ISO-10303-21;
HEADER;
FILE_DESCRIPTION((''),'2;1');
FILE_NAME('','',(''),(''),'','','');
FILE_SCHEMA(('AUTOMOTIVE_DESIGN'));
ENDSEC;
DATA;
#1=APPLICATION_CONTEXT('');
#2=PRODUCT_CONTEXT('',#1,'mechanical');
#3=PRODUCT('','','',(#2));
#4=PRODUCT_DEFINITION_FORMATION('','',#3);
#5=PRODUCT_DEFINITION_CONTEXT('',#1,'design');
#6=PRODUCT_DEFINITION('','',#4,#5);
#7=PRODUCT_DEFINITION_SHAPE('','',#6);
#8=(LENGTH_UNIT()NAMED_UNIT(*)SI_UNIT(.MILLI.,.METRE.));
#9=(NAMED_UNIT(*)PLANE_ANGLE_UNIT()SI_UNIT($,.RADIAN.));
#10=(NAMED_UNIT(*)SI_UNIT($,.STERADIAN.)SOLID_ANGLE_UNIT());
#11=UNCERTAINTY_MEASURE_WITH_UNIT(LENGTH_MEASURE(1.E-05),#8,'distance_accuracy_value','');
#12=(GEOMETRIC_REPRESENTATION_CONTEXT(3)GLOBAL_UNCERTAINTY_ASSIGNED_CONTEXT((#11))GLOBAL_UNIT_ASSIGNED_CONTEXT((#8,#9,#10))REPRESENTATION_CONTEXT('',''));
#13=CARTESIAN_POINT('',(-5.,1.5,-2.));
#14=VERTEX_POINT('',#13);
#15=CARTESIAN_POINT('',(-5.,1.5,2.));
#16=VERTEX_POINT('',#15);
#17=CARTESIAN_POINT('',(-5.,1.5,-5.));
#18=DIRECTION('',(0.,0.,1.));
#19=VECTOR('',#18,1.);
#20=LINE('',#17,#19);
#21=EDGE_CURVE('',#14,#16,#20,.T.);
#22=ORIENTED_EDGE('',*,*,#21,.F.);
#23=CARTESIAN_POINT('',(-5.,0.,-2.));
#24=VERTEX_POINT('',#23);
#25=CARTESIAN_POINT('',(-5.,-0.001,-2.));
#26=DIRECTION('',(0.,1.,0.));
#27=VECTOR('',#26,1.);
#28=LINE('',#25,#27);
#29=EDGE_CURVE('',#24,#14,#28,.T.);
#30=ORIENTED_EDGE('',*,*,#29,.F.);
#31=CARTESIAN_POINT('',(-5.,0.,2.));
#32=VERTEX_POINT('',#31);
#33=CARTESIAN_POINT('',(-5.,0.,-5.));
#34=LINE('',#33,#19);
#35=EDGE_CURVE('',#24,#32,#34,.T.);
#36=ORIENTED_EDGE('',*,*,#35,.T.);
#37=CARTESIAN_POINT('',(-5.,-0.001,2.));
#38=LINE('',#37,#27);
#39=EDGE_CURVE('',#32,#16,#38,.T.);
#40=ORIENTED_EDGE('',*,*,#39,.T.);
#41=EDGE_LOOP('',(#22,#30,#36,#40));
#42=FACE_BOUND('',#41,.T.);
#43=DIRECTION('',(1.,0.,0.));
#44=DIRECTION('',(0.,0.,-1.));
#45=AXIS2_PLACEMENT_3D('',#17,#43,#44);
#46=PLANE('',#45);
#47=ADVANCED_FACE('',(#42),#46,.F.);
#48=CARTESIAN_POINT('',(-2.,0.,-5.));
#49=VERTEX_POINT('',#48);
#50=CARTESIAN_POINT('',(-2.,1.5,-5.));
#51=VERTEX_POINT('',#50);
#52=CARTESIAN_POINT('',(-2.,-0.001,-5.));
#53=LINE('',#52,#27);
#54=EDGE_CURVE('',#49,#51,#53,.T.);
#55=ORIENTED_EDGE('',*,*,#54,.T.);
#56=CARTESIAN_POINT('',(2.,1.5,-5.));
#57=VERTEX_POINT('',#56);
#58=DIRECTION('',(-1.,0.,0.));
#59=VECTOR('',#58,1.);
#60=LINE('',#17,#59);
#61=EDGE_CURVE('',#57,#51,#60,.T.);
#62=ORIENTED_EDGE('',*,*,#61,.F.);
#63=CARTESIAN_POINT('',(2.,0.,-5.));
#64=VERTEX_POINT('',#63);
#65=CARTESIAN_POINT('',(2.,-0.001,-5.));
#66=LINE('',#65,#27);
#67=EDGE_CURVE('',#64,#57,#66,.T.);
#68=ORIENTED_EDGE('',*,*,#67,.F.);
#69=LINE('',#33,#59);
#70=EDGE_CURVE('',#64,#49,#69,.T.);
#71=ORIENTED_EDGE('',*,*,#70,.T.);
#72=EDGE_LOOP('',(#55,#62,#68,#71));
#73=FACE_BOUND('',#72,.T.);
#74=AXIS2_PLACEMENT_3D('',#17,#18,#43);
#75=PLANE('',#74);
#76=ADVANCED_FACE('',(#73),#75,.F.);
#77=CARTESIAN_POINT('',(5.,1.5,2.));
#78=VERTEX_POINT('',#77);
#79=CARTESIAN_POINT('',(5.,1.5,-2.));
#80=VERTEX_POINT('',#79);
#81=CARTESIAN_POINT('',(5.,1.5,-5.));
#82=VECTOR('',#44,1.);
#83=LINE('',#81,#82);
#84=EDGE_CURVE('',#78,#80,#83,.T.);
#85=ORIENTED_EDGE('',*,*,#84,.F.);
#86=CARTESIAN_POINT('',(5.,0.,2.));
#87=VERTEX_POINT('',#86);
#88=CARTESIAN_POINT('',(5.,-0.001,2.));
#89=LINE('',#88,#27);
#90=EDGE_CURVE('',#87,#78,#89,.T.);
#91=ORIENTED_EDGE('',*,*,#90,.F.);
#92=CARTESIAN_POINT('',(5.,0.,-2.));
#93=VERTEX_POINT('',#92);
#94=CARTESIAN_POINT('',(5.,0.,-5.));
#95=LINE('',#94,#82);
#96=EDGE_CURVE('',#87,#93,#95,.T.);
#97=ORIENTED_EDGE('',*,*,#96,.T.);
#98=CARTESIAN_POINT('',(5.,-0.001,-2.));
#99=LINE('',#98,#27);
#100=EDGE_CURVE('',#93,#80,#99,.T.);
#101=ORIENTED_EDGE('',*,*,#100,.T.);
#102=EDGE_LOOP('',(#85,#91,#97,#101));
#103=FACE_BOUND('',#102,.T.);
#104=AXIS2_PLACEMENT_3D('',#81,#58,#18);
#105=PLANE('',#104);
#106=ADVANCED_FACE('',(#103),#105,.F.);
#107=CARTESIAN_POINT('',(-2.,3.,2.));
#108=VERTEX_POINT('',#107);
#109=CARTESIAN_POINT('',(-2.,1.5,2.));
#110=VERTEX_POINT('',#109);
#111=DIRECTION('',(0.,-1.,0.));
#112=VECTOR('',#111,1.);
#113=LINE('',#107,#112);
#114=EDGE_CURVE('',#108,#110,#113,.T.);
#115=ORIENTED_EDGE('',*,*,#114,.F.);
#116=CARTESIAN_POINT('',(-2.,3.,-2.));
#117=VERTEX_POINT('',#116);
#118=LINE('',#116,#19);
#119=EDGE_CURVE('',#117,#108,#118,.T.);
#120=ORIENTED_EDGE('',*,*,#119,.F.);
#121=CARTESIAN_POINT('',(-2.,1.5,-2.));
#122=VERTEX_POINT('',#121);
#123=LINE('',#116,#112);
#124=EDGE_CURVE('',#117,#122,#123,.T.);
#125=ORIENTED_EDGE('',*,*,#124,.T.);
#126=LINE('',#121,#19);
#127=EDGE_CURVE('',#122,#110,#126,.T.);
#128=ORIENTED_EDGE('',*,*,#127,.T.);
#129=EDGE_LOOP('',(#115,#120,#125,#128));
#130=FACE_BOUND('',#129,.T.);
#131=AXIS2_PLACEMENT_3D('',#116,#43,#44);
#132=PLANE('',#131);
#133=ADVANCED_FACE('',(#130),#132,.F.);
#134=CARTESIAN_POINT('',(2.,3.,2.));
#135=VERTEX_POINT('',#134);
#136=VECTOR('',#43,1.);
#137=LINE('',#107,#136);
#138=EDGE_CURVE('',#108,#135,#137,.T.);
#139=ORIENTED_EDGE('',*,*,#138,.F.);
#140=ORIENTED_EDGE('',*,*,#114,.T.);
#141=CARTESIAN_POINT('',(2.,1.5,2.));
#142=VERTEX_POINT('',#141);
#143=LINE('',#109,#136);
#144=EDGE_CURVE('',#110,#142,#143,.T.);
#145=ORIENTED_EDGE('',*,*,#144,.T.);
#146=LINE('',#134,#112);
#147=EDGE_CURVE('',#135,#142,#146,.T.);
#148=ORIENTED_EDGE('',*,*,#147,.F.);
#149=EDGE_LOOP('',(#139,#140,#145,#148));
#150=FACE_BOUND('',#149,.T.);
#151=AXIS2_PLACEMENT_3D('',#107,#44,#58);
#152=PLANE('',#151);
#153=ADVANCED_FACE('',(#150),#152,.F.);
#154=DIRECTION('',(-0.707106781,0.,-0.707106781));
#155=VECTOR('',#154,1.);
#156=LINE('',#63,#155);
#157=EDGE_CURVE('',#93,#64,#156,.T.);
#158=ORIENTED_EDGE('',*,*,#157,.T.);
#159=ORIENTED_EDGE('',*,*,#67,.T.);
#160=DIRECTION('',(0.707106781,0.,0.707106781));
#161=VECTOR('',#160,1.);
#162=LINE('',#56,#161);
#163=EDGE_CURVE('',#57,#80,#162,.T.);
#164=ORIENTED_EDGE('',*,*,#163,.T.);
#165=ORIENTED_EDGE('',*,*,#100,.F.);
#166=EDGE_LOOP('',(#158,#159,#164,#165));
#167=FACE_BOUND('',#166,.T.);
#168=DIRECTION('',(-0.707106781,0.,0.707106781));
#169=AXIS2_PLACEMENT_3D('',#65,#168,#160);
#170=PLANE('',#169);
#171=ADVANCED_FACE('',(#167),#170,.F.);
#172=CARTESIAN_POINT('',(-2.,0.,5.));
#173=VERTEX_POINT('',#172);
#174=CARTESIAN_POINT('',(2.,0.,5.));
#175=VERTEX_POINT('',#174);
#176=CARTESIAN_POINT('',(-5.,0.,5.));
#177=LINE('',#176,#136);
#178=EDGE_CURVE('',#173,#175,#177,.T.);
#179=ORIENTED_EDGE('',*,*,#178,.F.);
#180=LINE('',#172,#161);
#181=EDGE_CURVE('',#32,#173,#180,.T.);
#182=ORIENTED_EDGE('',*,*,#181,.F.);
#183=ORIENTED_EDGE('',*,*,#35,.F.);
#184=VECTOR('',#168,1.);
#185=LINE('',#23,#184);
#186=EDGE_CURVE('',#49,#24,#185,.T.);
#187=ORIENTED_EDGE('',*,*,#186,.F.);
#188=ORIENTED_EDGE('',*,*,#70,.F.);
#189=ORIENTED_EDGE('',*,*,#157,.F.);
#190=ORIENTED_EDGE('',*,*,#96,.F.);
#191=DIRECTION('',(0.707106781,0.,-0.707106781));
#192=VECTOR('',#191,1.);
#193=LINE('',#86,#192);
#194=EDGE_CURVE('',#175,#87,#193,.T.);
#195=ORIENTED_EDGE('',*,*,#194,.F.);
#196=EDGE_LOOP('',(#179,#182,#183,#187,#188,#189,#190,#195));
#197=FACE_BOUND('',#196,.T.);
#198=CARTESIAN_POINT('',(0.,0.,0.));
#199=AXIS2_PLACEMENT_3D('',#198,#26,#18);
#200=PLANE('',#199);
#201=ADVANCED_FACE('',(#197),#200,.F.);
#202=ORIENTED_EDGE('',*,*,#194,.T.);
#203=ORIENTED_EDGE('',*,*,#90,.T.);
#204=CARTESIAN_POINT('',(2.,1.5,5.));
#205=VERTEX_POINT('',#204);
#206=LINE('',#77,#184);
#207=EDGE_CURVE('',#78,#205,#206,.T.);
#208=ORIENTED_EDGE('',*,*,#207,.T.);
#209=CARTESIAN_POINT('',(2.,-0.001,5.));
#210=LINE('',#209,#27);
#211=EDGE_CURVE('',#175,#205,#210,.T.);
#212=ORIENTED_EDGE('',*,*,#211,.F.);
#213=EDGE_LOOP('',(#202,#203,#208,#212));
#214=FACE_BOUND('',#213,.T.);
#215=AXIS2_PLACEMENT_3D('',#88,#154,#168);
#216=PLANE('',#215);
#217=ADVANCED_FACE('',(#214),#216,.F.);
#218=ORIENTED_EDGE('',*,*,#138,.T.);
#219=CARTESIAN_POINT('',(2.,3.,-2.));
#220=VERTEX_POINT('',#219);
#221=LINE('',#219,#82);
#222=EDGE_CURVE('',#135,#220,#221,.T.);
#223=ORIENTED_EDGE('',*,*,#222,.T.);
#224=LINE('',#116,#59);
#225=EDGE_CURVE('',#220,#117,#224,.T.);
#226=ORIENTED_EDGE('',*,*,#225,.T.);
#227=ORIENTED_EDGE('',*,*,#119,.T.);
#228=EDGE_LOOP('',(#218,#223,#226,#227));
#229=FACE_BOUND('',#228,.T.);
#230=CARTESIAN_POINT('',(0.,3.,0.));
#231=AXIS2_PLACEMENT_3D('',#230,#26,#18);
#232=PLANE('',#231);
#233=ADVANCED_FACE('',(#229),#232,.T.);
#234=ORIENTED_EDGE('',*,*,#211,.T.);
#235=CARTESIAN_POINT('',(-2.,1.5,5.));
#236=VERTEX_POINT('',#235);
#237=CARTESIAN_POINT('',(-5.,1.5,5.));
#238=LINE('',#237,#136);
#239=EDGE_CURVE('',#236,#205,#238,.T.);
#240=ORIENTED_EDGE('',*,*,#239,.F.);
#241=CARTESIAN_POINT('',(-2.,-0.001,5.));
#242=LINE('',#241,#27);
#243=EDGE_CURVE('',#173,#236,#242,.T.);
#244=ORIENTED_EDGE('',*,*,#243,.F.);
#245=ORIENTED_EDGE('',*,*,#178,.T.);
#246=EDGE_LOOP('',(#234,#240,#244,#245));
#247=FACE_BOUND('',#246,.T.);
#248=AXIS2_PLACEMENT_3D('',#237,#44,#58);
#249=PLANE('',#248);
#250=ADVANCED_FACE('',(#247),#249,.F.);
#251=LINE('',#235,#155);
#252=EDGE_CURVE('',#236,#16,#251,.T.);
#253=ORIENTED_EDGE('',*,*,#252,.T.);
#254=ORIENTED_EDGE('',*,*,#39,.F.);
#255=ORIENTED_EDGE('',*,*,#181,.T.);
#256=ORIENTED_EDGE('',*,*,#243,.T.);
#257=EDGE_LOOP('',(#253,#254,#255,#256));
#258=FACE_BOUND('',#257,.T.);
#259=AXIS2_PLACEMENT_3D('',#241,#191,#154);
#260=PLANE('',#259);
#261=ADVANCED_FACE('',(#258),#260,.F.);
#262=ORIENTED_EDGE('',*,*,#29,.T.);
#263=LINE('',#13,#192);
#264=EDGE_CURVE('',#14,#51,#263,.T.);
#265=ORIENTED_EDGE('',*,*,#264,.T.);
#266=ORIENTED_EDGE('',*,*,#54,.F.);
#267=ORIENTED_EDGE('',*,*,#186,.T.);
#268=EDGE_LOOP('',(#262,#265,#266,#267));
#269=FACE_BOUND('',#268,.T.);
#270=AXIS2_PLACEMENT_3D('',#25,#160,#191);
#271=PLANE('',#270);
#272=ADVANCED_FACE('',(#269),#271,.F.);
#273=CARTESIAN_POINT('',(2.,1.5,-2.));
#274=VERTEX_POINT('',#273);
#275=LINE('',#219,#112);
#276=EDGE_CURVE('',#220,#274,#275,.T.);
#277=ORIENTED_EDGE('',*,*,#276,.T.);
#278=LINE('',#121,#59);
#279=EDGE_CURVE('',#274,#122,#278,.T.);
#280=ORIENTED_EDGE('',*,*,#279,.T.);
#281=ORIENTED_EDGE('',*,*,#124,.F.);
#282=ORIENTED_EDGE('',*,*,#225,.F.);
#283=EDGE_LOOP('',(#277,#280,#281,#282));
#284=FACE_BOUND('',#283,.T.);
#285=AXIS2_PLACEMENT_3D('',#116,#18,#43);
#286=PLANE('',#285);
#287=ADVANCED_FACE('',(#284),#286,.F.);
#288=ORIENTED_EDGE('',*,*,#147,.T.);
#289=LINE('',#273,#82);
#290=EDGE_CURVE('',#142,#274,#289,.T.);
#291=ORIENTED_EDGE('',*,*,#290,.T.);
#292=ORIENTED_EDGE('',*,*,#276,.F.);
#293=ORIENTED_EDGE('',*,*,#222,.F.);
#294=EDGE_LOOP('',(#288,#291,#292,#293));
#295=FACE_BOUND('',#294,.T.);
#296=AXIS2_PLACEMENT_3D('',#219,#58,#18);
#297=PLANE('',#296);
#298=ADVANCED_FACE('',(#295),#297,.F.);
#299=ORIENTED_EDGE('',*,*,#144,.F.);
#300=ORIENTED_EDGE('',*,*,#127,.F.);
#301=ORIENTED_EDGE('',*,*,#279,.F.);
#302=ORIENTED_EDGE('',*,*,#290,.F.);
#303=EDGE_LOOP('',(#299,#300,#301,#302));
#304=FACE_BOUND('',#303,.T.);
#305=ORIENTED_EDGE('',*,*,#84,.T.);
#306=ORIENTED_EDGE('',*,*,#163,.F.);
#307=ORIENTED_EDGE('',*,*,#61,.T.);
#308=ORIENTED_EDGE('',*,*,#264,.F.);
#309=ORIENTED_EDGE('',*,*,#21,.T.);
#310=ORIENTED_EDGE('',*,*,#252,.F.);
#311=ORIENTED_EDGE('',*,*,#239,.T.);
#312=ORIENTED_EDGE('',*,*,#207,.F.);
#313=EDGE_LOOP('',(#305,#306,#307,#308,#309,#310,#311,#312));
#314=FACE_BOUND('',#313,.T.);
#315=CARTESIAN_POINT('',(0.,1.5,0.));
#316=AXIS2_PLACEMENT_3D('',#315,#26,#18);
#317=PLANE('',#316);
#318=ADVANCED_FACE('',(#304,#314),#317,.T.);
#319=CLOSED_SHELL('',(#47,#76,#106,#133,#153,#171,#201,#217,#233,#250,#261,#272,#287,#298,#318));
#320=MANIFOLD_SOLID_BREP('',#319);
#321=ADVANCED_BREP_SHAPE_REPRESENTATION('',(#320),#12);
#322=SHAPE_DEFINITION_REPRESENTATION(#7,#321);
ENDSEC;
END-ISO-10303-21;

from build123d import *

# Parameters (mm, degrees)
SKETCH1_W           = 10
SKETCH1_H           = 10
BOSS_EXTRUDE1_DEPTH = 1.5
SKETCH2_W           = 4
SKETCH2_H           = 4
BOSS_EXTRUDE2_DEPTH = 1.5
CUT_EXTRUDE1_DEPTH  = 1.5
CIRPATTERN1_COUNT   = 4


with BuildPart() as part:
    # Sketch1 → Boss-Extrude1 (new body)
    with BuildSketch(Plane(origin=(0, 0, 0), x_dir=(1, 0, 0), z_dir=(0, 1, 0))):
        Rectangle(SKETCH1_W, SKETCH1_H)
    extrude(amount=BOSS_EXTRUDE1_DEPTH)

    # Sketch2 → Boss-Extrude2 (add)
    with BuildSketch(Plane(origin=(0, 1.5, 0), x_dir=(1, 0, 0), z_dir=(0, 1, 0))):
        Rectangle(SKETCH2_W, SKETCH2_H)
    extrude(amount=BOSS_EXTRUDE2_DEPTH)

    # Sketch3 → Cut-Extrude1 (cut)
    with BuildSketch(Plane(origin=(0, 1.5, 0), x_dir=(1, 0, 0), z_dir=(0, 1, 0))):
        Polygon((-5, 2), (-2, 5), (-5, 5), align=None)
    cut_extrude1 = extrude(amount=-CUT_EXTRUDE1_DEPTH, mode=Mode.SUBTRACT)

    # CirPattern1: Cut-Extrude1 ×4 about axis
    cirpattern1_axis = Axis((0, 0, 0), (0, 1, 0))
    for i in range(1, CIRPATTERN1_COUNT):
        add(cut_extrude1.rotate(cirpattern1_axis, i * 360 / CIRPATTERN1_COUNT), mode=Mode.SUBTRACT)


solid = part.part
